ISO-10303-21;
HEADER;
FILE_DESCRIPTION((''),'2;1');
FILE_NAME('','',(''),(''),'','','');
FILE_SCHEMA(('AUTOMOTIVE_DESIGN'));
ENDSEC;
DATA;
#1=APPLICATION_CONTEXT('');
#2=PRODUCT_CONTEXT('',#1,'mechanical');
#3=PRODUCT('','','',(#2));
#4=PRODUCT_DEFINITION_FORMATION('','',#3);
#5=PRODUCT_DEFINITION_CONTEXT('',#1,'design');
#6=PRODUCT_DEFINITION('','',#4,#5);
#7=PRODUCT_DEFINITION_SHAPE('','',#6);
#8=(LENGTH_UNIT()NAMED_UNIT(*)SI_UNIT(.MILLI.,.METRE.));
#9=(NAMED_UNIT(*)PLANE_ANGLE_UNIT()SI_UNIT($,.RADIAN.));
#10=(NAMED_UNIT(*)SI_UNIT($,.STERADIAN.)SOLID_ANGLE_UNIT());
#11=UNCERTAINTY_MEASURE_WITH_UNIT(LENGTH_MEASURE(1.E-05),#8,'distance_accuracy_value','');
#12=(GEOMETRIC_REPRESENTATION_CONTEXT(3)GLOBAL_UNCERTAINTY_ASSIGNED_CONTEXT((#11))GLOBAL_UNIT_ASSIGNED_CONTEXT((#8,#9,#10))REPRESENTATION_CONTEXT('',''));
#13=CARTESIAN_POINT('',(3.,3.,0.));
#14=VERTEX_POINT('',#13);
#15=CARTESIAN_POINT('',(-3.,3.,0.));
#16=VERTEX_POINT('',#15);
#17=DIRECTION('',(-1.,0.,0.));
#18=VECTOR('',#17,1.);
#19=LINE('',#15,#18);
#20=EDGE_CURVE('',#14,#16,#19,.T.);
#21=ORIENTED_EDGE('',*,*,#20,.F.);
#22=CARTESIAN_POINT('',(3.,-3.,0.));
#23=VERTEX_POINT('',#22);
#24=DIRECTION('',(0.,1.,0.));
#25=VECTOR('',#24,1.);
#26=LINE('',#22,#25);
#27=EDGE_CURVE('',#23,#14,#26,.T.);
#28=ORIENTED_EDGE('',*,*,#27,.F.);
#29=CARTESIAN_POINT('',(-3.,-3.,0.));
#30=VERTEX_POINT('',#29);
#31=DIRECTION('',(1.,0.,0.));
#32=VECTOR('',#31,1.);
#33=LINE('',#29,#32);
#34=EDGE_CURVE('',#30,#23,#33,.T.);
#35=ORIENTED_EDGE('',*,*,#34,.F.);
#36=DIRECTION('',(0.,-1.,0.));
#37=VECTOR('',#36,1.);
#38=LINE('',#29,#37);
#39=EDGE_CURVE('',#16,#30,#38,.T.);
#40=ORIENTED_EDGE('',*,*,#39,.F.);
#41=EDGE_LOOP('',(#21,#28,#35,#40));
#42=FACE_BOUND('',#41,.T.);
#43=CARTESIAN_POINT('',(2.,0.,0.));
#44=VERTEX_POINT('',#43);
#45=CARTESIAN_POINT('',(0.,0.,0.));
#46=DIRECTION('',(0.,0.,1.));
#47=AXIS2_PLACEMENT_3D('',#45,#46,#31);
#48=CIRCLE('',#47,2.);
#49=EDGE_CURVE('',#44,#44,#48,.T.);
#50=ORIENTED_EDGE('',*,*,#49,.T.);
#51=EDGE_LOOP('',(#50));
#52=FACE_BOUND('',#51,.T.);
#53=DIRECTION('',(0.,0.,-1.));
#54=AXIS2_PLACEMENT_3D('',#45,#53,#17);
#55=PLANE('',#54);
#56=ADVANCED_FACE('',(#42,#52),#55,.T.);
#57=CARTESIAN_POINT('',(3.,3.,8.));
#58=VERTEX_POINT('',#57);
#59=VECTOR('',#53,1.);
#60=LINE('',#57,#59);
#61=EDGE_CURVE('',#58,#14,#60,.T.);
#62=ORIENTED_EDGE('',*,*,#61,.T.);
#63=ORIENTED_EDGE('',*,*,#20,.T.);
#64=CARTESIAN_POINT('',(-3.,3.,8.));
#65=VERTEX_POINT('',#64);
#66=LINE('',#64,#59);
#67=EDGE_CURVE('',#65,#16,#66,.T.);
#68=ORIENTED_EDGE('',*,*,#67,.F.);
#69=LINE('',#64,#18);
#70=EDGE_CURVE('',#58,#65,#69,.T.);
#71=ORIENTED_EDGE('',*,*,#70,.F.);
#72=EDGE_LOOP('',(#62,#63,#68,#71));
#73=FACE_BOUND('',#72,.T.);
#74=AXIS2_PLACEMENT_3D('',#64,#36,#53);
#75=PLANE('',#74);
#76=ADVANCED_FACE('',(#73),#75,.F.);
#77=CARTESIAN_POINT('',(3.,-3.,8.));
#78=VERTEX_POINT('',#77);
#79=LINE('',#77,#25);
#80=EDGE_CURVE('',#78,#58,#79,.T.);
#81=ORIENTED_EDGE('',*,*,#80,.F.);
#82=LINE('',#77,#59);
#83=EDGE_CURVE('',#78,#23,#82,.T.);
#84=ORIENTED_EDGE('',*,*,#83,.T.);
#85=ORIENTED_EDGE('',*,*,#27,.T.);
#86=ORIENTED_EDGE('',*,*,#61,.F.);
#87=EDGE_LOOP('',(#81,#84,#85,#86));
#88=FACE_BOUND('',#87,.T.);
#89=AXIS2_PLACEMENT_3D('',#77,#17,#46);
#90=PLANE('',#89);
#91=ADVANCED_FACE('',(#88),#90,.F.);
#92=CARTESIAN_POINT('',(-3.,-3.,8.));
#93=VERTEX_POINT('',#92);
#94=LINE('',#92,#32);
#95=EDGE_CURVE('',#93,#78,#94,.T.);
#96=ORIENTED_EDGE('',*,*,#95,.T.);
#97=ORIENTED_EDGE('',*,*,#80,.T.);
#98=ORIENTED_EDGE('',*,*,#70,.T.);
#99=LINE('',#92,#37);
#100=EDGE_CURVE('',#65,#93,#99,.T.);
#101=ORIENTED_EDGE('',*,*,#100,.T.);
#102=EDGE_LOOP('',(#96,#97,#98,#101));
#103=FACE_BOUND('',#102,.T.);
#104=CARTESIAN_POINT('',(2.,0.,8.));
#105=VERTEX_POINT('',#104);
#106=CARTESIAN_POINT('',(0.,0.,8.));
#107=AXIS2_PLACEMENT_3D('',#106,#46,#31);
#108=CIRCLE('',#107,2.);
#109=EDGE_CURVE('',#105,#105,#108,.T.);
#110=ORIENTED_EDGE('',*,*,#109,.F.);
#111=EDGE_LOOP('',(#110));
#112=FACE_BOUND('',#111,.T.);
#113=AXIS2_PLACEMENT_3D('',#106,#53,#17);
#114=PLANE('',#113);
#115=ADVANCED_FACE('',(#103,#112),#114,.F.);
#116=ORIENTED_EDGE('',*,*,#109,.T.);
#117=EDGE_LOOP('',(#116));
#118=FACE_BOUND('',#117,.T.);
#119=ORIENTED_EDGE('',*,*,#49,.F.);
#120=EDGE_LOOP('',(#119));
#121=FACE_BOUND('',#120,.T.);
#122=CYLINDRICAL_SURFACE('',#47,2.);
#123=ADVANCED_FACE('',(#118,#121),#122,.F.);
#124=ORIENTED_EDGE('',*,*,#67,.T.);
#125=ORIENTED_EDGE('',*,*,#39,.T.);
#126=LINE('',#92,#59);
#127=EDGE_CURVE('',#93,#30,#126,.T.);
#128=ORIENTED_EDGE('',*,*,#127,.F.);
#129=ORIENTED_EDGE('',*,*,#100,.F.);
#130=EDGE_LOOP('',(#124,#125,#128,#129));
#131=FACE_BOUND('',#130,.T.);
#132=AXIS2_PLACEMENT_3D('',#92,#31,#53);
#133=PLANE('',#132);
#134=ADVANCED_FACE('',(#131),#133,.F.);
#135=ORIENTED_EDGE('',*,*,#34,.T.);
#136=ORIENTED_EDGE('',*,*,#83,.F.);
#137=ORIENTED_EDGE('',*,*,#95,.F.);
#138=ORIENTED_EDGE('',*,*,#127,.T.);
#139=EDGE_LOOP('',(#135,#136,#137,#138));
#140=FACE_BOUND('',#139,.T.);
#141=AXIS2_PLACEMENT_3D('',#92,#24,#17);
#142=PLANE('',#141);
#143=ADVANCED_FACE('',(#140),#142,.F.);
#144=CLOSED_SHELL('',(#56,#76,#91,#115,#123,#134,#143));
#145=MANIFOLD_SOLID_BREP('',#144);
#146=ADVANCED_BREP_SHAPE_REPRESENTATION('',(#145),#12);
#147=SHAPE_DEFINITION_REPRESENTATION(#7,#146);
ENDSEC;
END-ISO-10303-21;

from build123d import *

# Parameters (mm, degrees)
SKETCH_1_W          = 6
SKETCH_1_H          = 6
EXTRUDE_1_DEPTH     = 8
SKETCH_2_R          = 2
CUT_EXTRUDE_1_DEPTH = 10.055385138


with BuildPart() as part:
    # 草图1 → 凸台-拉伸1 (new body)
    with BuildSketch(Plane.XY):
        Rectangle(SKETCH_1_W, SKETCH_1_H)
    extrude(amount=EXTRUDE_1_DEPTH)

    # 草图2 → 切除-拉伸1 (cut, through all)
    with BuildSketch(Plane.XY.offset(8)):
        Circle(SKETCH_2_R)
    extrude(amount=-CUT_EXTRUDE_1_DEPTH, mode=Mode.SUBTRACT)


solid = part.part
